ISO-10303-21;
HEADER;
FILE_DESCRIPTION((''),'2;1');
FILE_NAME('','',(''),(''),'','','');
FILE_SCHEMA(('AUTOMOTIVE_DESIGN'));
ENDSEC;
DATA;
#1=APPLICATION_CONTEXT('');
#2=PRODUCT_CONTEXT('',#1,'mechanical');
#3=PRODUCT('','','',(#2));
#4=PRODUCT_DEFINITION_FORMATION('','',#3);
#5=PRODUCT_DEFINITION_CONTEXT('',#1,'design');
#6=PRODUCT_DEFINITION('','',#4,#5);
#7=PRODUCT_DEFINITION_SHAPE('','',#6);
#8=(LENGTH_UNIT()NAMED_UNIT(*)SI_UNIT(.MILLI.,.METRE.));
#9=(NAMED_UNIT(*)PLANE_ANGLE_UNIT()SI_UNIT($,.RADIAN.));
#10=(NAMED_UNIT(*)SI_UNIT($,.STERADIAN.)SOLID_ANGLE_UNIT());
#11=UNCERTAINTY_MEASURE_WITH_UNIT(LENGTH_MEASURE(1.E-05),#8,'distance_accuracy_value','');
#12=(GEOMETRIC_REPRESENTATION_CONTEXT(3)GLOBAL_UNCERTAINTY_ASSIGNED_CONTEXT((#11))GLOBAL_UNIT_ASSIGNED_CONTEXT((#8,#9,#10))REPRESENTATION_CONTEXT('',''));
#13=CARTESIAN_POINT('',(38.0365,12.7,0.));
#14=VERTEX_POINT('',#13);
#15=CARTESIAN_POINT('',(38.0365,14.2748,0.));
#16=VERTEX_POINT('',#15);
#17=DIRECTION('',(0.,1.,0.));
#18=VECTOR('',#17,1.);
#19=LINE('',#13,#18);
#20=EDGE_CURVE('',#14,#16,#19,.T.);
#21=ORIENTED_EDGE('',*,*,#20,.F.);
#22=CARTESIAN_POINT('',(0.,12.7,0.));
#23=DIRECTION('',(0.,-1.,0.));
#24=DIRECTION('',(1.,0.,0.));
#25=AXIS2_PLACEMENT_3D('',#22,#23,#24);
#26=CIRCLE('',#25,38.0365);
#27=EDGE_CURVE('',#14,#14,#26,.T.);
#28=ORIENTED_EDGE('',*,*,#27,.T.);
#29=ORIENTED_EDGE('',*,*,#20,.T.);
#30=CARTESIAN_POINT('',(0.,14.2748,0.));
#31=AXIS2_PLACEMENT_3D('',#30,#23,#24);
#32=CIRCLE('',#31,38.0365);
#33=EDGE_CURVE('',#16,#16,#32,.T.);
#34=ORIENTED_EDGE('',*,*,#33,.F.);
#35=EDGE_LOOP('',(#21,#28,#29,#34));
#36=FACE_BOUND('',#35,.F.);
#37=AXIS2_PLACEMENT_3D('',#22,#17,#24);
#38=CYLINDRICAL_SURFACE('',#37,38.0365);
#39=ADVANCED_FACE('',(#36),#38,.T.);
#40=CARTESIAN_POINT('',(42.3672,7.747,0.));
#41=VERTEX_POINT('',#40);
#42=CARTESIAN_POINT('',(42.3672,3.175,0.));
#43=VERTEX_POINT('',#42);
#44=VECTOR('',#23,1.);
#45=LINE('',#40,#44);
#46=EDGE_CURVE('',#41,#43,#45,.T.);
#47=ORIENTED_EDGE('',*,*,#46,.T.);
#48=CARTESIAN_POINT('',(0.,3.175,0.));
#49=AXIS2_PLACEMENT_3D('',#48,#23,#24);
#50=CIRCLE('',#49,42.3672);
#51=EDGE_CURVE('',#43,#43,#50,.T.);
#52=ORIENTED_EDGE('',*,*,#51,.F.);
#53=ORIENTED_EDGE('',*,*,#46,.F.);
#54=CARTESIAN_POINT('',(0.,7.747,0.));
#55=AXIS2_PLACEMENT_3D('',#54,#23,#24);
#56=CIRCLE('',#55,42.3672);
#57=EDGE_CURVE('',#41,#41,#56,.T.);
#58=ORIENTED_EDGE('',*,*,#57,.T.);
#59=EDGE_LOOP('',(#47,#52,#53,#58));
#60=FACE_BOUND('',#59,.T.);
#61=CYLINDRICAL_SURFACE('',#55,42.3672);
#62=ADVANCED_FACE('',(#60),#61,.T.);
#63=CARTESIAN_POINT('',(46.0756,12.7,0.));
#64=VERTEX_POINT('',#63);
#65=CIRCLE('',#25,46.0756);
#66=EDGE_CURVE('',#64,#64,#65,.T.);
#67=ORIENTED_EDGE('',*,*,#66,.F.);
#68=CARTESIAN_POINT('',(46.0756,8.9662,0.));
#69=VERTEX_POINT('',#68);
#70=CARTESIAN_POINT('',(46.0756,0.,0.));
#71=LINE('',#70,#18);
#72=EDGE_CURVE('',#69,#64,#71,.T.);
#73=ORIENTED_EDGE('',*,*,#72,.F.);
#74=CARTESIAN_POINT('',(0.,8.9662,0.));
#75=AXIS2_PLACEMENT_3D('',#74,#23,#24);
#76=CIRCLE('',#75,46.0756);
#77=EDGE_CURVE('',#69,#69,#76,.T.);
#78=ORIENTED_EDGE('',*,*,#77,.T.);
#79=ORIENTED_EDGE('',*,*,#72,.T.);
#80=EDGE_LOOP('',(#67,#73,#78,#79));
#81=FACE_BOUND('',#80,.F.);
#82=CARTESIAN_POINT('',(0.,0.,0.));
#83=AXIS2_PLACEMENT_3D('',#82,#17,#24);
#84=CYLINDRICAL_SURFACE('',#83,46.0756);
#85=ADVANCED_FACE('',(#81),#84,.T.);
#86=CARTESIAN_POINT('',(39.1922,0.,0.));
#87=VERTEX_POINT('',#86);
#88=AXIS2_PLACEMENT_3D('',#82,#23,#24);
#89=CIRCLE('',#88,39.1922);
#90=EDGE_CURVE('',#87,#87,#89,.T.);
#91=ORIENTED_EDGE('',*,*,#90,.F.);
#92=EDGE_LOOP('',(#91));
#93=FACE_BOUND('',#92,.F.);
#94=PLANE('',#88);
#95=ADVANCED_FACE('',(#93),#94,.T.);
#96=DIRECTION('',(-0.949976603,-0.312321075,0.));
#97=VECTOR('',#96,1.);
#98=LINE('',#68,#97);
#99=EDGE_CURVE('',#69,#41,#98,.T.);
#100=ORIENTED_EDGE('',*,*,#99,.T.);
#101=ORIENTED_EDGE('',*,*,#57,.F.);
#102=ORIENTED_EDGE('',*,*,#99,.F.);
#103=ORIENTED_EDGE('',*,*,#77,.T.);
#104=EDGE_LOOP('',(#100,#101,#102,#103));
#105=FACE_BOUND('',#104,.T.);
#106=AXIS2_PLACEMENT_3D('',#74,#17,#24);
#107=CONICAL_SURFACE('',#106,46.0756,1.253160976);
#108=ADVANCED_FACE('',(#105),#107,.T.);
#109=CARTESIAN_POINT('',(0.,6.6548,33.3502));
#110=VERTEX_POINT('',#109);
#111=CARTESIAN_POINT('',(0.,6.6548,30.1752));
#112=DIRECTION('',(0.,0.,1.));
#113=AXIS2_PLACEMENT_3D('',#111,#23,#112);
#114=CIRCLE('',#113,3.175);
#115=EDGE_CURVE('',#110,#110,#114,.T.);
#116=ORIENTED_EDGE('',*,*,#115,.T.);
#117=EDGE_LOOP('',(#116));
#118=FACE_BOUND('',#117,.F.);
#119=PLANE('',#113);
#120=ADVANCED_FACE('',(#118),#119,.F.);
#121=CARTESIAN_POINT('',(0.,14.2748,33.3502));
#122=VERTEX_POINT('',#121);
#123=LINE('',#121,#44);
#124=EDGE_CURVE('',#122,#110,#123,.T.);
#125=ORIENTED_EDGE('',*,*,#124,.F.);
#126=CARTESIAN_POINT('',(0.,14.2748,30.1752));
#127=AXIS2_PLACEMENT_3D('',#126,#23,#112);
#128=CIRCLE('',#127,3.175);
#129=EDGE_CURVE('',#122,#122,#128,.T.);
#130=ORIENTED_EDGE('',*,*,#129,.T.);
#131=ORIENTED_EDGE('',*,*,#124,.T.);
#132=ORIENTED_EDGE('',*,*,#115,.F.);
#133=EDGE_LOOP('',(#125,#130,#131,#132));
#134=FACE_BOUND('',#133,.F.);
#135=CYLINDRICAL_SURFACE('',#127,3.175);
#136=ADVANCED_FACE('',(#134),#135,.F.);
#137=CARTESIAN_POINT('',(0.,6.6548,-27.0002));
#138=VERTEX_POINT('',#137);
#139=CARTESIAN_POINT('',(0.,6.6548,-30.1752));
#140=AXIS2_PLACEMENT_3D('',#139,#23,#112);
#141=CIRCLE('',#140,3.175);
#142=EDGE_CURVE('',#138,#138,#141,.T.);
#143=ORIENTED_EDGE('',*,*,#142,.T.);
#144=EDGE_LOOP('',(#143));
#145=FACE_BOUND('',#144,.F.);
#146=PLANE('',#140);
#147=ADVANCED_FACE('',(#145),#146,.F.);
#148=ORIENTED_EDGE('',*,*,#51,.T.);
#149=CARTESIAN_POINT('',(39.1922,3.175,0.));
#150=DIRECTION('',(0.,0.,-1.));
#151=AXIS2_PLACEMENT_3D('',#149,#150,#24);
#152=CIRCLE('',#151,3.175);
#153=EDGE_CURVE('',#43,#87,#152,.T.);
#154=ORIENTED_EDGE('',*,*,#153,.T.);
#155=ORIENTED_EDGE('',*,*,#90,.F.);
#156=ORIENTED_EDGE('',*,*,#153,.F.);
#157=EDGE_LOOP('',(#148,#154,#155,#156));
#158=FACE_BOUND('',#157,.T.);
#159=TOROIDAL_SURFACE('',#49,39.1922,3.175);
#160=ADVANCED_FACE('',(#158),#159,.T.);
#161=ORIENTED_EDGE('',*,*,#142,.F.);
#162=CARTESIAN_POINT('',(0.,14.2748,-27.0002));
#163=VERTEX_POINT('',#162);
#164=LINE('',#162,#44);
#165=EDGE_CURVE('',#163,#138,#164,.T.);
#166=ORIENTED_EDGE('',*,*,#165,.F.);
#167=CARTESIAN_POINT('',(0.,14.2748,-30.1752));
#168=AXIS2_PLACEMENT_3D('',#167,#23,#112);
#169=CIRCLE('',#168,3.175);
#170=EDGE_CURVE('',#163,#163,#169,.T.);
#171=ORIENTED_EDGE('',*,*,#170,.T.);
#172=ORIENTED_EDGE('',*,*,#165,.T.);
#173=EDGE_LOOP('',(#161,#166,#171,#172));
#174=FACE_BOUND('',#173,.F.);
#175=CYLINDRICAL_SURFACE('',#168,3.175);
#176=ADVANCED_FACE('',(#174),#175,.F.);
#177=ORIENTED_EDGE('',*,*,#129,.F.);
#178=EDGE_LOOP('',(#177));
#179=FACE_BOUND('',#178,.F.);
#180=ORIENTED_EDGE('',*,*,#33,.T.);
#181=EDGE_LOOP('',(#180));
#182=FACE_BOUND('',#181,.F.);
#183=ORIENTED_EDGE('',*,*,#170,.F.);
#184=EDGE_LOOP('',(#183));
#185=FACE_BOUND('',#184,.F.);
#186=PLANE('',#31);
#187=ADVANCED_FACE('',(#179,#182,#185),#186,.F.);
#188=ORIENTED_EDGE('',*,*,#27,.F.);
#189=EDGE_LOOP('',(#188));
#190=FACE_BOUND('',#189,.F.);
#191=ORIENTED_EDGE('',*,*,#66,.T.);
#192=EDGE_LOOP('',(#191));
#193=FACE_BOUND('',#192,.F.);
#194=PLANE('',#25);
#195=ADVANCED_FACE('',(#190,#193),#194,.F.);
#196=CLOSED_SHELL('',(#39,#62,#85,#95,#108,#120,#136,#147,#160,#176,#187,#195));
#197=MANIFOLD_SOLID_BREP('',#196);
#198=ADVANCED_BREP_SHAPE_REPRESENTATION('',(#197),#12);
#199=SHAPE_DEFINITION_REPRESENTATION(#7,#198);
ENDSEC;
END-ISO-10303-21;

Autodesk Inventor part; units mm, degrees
ref_plane "YZ Plane" through (0, 0, 0) normal (1, 0, 0) x (0, 1, 0)
ref_plane "XZ Plane" through (0, 0, 0) normal (0, 1, 0) x (-1, 0, 0)
ref_plane "XY Plane" through (0, 0, 0) normal (0, 0, 1) x (1, 0, 0)
sketch "Sketch1" plane through (0, 0, 0) normal (0, 0, 1) x (1, 0, 0)
  line L0 (17.5514, 0) -> (46.0756, 0)
  line L1 (46.0756, 0) -> (46.0756, 12.7)
  line L2 (46.0756, 12.7) -> (0, 12.7)
  line L3 (0, 12.7) -> (0, 0)
  line L4 (17.5514, 12.7) -> (17.5514, 0)
  line L5 (46.0756, 8.9662) -> (42.3672, 8.9662)
  line L6 (42.3672, 7.747) -> (42.3672, 0)
  line L7 (46.0756, 7.747) -> (42.3672, 7.747)
  line L8 (46.0756, 8.9662) -> (42.3672, 7.747)
  line L9 (0, 11.1252) -> (0, 12.7)
  line L10 (17.5514, 0) -> (23.85, 0)
  line L11 (0, -2.5) -> (0, 0)
  line L12 (0, 12.7) -> (38.0365, 12.7)
  line L13 (38.0365, 12.7) -> (38.0365, 14.2748)
  line L14 (38.0365, 14.2748) -> (0, 14.2748)
  line L15 (0, 14.2748) -> (0, 12.7)
  line L16 (17.5514, 12.7) -> (17.5514, 14.2748)
  line L17 (0, 0) -> (17.5514, 0)
  dimension "d1" = 12.7
  dimension "d3" = 3.7338
  dimension "d5" = 4.953
  dimension "d8" = 17.5514
  dimension "d9" = 42.3672
  dimension "d10" = 46.0756
  dimension "d11" = 1.5748
  dimension "d12" = 38.0365
revolve "Revolution1" add sketch "Sketch1" angle 360 about axis through (0, 12.7, 0) along (0, -1, 0) contours L4 L2 L1 L8 L6 L0 | L17 L3 L2 L4 | L16 L14 L13 L2 | L2 L15 L14 L16
sketch "Sketch2" plane through (0, 14.2748, 0) normal (0, 1, 0) x (1, 0, 0)
  circle A0 centre (0, 0) radius 30.1752
  point P0 (0, 30.1752)
  point P1 (0, -30.1752)
  dimension "d14" = 60.3504
hole "Hole1" at (0, 14.2748, -30.1752) at (0, 14.2748, 30.1752) direction (0, -1, 0) diameter 6.35 depth 7.62
fillet "Fillet1" radius 3.175 1 edges at (-42.3672, 0, 0)
properties part number "2016.06.09 Blank Adapter" material "Aluminum 6061"
